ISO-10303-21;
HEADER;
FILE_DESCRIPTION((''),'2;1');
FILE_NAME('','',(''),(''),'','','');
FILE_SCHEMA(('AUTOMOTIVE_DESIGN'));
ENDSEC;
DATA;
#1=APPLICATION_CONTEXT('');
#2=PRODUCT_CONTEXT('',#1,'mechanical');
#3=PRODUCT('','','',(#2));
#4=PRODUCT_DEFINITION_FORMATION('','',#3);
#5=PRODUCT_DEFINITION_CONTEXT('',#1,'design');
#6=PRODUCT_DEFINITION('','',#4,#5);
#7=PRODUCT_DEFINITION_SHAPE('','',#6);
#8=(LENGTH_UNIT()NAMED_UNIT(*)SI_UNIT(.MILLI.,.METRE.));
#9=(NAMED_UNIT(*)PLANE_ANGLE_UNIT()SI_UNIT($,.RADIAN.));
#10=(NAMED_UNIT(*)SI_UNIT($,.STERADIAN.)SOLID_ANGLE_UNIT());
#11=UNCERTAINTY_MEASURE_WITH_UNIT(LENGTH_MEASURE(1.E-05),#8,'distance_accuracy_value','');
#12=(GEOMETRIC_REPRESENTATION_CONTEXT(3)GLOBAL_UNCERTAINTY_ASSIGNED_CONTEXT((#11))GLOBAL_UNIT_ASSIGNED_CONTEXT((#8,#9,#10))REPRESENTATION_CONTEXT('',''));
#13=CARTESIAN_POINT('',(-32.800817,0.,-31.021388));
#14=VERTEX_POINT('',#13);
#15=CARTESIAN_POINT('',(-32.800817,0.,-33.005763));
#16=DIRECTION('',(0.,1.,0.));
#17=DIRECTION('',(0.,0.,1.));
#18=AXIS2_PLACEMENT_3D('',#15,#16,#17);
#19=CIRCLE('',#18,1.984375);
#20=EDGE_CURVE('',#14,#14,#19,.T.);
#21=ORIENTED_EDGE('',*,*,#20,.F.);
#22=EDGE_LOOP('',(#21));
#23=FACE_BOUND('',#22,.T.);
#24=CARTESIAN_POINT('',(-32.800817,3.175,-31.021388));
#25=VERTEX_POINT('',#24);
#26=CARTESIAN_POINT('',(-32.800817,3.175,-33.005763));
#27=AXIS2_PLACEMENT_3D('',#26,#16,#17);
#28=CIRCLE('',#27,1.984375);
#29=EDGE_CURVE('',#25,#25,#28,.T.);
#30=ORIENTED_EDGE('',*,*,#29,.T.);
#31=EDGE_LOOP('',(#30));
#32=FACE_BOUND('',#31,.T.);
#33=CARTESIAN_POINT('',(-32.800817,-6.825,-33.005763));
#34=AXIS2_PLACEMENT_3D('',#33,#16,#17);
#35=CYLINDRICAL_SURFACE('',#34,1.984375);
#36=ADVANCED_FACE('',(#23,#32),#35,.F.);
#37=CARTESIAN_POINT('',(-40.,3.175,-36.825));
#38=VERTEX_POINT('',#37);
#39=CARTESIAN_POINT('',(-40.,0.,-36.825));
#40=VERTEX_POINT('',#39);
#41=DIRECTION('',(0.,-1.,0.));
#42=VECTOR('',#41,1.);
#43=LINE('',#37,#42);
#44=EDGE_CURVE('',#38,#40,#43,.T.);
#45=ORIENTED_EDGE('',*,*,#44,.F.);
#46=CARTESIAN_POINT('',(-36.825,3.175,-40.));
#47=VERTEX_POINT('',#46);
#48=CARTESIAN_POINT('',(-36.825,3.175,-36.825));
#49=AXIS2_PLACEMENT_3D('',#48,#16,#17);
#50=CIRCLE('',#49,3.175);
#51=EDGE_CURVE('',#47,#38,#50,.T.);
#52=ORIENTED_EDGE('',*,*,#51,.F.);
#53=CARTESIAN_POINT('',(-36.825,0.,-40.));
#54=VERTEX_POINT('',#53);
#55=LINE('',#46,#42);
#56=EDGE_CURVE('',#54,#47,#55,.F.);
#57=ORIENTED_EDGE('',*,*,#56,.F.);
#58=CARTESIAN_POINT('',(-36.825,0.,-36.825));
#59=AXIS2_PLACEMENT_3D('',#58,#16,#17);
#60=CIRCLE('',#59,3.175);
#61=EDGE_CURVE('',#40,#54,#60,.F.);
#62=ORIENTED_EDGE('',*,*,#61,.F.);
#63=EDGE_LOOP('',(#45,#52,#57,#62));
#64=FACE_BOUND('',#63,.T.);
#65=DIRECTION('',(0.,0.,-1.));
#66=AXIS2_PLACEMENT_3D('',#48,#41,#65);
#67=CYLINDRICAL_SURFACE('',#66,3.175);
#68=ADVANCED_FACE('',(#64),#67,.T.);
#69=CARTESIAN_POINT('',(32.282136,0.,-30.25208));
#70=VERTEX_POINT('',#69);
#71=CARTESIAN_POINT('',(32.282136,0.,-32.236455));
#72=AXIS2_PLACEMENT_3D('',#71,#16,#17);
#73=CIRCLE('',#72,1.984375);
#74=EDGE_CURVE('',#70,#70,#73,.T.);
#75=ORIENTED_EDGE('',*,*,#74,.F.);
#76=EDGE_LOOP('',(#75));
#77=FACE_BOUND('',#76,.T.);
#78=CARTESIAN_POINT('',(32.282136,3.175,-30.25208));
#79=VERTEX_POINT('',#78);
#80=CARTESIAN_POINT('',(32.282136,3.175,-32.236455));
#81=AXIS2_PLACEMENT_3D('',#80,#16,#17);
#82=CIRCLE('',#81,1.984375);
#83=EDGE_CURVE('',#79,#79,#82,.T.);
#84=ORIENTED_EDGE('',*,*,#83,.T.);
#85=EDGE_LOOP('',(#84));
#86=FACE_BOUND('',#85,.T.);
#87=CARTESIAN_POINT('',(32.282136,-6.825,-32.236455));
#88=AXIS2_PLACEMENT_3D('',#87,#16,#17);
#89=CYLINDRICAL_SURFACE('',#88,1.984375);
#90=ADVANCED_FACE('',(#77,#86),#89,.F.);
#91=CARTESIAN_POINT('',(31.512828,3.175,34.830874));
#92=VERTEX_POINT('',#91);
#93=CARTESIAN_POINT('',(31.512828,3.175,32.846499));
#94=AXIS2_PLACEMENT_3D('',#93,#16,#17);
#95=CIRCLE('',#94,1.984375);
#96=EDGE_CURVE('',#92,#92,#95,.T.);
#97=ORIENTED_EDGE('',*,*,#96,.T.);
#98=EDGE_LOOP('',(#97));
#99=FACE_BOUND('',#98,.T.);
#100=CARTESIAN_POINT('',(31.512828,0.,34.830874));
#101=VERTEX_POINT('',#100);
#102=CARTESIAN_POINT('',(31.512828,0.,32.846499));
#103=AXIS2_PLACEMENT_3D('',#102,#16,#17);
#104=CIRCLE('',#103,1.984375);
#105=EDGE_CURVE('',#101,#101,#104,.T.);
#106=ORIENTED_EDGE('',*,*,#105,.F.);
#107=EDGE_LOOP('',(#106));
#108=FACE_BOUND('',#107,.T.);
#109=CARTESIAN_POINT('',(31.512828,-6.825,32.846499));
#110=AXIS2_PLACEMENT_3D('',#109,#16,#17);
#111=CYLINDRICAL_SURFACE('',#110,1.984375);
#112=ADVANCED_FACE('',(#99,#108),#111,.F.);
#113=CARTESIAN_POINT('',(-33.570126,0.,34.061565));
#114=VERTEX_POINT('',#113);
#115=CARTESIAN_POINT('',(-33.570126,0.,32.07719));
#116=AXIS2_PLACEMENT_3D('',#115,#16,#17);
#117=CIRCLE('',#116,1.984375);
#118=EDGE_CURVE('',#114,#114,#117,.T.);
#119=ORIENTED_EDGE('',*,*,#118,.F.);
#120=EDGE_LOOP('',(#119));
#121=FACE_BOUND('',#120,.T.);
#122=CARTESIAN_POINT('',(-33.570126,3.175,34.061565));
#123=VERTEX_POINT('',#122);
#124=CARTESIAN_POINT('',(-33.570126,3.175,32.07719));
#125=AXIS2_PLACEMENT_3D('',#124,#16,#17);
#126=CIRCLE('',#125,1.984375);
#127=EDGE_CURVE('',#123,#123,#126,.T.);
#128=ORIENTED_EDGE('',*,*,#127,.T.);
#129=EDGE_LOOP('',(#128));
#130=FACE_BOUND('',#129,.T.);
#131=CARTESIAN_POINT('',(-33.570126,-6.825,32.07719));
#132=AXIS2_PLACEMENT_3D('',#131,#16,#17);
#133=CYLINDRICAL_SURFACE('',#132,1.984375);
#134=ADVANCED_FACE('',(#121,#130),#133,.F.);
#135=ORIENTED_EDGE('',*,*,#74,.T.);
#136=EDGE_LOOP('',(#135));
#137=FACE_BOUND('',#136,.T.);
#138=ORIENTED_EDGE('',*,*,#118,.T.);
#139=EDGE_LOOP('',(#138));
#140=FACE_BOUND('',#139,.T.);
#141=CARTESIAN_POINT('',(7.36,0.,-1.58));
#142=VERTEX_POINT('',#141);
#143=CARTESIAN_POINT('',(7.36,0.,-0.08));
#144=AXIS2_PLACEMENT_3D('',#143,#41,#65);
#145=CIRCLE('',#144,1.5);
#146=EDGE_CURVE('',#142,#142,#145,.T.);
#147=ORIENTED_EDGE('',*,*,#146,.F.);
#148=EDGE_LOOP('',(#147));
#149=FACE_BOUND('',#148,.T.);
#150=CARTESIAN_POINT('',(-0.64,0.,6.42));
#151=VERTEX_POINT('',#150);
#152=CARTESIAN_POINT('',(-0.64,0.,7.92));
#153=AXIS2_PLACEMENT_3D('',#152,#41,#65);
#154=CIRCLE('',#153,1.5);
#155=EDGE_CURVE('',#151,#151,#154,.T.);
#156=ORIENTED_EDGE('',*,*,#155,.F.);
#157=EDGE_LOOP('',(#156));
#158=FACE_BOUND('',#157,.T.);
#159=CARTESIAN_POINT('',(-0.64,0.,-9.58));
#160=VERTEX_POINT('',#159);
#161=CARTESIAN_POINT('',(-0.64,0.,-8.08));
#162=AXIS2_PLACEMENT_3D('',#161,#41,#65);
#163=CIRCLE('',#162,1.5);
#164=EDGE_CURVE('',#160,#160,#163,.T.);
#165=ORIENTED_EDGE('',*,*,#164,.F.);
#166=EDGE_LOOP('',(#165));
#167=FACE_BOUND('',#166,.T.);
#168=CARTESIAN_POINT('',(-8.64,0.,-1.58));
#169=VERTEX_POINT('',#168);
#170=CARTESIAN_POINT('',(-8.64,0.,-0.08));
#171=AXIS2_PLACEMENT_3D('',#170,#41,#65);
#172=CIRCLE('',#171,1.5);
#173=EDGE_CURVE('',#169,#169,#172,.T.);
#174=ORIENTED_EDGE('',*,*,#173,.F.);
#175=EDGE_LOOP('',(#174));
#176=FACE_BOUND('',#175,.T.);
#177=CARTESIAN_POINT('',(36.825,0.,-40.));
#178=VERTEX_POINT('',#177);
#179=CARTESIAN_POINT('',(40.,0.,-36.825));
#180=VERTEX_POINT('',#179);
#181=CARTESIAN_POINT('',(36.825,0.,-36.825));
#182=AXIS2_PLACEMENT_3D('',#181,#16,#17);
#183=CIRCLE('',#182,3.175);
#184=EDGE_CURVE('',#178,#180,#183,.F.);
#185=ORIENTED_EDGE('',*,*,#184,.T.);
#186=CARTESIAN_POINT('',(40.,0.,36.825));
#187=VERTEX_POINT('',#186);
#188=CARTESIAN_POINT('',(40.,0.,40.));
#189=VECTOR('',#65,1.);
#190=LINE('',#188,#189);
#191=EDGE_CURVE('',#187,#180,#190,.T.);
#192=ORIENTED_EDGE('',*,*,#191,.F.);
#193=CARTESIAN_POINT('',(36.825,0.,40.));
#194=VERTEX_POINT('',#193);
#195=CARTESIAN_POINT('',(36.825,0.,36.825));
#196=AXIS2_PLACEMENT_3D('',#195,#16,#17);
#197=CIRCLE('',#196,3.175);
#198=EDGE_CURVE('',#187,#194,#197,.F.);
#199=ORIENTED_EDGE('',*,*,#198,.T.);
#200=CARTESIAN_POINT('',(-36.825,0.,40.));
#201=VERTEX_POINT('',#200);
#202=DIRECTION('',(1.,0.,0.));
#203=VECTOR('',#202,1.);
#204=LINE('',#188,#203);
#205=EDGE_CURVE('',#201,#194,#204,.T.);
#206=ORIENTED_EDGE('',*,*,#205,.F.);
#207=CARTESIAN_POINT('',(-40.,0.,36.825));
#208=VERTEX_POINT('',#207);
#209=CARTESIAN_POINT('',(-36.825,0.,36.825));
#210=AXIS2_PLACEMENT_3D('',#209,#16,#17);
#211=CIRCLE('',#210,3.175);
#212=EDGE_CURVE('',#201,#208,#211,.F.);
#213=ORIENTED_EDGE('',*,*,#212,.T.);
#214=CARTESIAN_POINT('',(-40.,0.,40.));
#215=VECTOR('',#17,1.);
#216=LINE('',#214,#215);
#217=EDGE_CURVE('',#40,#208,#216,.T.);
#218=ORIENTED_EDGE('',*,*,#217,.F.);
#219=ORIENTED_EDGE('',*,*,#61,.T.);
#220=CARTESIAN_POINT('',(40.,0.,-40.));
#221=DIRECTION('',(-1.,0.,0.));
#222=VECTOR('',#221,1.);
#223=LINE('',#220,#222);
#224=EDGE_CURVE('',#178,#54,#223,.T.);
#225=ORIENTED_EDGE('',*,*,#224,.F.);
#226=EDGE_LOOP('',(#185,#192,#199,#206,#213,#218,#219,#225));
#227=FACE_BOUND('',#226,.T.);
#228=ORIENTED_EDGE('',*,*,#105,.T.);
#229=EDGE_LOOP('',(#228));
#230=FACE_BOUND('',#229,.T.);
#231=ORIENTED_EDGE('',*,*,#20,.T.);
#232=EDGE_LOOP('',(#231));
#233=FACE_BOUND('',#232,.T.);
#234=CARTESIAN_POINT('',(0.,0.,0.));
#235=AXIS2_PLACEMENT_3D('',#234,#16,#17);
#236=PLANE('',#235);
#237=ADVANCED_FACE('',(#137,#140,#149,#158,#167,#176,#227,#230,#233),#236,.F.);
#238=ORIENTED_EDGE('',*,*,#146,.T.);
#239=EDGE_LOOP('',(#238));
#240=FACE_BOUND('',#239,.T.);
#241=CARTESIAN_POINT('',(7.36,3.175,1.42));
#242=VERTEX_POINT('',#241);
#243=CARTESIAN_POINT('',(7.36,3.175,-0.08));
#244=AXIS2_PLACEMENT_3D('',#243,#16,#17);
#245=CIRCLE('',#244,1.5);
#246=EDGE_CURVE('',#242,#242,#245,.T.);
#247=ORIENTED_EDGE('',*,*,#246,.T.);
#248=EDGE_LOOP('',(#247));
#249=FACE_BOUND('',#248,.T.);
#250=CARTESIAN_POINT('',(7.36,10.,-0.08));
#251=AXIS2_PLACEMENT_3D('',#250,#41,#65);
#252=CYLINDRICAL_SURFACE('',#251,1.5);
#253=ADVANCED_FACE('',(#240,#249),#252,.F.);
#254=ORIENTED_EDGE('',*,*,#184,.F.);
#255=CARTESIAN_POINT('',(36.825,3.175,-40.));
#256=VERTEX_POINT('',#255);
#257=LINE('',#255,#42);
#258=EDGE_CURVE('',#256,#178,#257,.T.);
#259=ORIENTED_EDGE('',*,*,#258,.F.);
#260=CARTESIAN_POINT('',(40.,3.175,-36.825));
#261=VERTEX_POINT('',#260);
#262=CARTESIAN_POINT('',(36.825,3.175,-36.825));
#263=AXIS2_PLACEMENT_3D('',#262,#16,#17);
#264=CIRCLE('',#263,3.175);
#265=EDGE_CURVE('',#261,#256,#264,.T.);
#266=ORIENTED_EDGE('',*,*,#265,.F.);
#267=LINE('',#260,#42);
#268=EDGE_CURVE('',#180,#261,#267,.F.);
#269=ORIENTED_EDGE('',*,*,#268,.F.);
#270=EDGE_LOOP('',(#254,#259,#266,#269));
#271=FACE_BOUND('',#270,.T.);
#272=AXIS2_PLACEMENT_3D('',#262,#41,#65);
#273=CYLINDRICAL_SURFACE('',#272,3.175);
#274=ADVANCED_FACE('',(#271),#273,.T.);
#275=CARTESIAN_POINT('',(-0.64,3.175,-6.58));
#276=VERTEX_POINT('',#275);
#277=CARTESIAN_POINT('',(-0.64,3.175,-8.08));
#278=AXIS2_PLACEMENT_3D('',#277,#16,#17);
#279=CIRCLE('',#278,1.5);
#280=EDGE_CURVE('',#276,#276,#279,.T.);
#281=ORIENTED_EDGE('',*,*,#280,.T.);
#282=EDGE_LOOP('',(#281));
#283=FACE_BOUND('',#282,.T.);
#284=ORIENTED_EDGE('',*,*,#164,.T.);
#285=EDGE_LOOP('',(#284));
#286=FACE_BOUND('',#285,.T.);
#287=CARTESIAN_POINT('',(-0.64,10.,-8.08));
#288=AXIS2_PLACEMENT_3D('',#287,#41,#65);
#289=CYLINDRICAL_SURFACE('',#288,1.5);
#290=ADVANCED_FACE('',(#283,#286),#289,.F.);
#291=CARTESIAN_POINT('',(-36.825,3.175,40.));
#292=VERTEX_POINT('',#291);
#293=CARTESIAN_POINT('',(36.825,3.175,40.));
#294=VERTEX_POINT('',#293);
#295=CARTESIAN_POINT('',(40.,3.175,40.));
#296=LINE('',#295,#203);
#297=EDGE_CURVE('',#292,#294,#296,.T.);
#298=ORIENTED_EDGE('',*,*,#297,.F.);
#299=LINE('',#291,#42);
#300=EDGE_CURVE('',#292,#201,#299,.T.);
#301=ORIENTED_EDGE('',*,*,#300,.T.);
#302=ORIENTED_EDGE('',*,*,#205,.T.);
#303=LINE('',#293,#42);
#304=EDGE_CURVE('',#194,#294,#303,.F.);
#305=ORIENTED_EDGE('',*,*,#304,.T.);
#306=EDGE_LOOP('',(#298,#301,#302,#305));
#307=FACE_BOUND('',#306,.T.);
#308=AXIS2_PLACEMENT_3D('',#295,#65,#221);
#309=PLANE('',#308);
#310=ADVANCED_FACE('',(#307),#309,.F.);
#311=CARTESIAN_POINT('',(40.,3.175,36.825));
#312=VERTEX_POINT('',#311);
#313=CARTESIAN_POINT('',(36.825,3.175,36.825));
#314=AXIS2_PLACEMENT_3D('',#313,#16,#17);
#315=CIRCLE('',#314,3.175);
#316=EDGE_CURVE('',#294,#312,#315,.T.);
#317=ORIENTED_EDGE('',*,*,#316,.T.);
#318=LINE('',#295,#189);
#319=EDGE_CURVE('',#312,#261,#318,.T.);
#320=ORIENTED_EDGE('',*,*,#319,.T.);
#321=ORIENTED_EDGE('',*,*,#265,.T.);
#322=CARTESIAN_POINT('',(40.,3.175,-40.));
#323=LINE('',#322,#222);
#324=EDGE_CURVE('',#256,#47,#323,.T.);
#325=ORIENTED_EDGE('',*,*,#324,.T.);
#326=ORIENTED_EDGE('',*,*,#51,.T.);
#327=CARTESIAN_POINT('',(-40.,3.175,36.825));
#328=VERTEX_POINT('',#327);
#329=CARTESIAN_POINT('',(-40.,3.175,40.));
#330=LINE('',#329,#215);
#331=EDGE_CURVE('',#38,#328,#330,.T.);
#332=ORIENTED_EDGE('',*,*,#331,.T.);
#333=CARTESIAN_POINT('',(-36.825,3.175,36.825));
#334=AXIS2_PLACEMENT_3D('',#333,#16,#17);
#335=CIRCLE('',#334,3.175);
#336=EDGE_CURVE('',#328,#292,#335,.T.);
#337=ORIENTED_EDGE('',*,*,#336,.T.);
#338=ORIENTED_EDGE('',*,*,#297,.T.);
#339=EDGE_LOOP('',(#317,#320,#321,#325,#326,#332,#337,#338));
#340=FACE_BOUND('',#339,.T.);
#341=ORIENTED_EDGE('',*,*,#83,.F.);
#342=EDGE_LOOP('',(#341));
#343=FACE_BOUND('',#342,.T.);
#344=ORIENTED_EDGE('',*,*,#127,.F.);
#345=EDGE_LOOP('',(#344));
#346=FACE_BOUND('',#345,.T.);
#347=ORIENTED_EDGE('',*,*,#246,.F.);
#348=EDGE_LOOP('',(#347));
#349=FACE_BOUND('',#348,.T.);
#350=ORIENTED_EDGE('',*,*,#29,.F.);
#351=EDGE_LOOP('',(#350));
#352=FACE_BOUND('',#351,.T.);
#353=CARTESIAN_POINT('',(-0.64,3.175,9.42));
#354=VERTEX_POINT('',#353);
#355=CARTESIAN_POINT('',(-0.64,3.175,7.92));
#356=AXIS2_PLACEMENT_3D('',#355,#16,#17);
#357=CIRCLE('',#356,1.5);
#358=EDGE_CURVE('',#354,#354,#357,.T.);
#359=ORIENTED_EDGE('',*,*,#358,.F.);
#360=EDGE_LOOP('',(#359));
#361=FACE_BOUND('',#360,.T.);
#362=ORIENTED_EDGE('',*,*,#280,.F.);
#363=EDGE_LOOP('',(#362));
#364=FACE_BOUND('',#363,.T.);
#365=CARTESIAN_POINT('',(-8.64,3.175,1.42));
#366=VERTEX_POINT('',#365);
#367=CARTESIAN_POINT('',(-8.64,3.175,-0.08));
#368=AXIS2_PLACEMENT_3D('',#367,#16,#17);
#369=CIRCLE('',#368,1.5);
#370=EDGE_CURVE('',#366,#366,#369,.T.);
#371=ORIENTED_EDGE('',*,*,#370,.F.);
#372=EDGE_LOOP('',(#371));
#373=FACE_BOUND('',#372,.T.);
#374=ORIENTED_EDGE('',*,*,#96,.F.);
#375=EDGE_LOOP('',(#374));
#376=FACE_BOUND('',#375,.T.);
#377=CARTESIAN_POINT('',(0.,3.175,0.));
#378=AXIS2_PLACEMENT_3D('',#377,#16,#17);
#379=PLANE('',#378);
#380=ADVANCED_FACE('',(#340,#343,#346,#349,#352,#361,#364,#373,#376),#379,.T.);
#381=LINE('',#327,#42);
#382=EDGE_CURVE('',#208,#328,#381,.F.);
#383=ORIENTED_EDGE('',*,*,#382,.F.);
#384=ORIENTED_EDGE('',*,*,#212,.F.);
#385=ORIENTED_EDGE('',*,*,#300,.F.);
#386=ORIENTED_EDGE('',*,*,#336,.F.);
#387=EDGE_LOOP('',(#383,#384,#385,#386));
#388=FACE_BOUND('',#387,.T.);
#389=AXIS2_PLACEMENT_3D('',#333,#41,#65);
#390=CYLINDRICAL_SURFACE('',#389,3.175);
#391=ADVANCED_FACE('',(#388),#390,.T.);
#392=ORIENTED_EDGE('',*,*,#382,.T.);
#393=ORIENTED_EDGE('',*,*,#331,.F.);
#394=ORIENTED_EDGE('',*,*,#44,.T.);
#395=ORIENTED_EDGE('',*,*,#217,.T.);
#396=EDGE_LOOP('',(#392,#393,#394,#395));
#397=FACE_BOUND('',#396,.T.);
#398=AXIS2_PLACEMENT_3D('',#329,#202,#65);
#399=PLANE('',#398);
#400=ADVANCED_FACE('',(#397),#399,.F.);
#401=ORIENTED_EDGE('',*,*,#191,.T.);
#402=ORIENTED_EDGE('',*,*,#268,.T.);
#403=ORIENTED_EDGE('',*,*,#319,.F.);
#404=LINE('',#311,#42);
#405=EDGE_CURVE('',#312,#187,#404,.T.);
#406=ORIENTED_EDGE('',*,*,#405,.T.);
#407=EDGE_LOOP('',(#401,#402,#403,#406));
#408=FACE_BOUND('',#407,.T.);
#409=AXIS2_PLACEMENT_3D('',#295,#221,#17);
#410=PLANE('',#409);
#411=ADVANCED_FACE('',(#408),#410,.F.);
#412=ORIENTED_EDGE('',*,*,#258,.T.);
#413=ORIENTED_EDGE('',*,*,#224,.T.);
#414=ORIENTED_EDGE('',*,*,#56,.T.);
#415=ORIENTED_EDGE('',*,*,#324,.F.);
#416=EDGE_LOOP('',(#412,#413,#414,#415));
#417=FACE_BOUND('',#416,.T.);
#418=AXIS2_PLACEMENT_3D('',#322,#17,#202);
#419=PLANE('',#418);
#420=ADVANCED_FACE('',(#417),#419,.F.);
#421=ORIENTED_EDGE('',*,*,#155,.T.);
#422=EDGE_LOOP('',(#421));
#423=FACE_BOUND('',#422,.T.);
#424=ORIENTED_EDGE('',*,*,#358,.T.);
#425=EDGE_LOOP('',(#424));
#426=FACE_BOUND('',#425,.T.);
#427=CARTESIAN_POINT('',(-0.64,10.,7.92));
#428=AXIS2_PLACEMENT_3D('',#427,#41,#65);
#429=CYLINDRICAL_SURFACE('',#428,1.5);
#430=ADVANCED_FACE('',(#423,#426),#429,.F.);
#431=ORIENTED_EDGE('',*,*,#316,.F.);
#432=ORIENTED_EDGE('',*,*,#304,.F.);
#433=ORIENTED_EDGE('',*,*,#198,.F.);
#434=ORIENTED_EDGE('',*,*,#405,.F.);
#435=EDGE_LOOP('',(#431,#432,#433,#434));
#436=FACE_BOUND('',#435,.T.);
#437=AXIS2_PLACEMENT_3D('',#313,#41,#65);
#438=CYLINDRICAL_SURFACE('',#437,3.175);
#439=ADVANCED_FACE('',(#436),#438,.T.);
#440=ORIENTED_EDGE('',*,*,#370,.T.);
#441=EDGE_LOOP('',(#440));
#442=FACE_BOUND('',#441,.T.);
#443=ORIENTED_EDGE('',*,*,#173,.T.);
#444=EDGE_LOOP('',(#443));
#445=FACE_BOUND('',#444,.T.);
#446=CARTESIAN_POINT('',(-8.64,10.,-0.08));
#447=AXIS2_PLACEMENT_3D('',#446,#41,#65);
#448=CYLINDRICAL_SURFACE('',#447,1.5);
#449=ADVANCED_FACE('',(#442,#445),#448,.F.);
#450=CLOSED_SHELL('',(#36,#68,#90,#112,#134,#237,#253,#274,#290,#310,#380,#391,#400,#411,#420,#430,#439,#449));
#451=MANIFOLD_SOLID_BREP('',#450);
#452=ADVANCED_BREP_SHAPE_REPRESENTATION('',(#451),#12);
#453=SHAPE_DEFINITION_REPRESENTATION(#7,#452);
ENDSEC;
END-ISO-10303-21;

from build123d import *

# Parameters (mm, degrees)
SKETCH1_W           = 80
SKETCH1_H           = 80
BOSS_EXTRUDE1_DEPTH = 3.175
SKETCH16_R          = 1.984375
CUT_EXTRUDE8_DEPTH  = 10
FILLET1_R           = 3.175
SKETCH21_R          = 1.5
CUT_EXTRUDE9_DEPTH  = 10


with BuildPart() as part:
    # Sketch1 → Boss-Extrude1 (new body)
    with BuildSketch(Plane(origin=(0, 0, 0), x_dir=(1, 0, 0), z_dir=(0, 1, 0))):
        Rectangle(SKETCH1_W, SKETCH1_H)
    extrude(amount=BOSS_EXTRUDE1_DEPTH)

    # Sketch16 → Cut-Extrude8 (cut)
    with BuildSketch(Plane(origin=(0, 3.175, 0), x_dir=(1, 0, 0), z_dir=(0, 1, 0))):
        with Locations(Location((-32.800817373, 33.005763026, 0), (0, 0, 270))):
            Circle(SKETCH16_R)
        with Locations(Location((32.282136008, 32.236454615, 0), (0, 0, 270))):
            Circle(SKETCH16_R)
        with Locations(Location((31.512827597, -32.846498766, 0), (0, 0, 270))):
            Circle(SKETCH16_R)
        with Locations(Location((-33.570125785, -32.077190355, 0), (0, 0, 270))):
            Circle(SKETCH16_R)
    extrude(amount=-CUT_EXTRUDE8_DEPTH, mode=Mode.SUBTRACT)

    # Fillet1
    fillet1_edges = [part.edges().sort_by_distance(p)[0] for p in [
        (-40, 1.5875, -40),
        (40, 1.5875, -40),
        (40, 1.5875, 40),
        (-40, 1.5875, 40),
    ]]
    fillet(fillet1_edges, radius=FILLET1_R)

    # Sketch21 → Cut-Extrude9 (cut)
    with BuildSketch(Plane.XZ):
        with Locations(Location((-0.64, 7.92, 0), (0, 0, 270))):
            Circle(SKETCH21_R)
        with Locations(Location((7.36, -0.08, 0), (0, 0, 270))):
            Circle(SKETCH21_R)
        with Locations(Location((-0.64, -8.08, 0), (0, 0, 270))):
            Circle(SKETCH21_R)
        with Locations(Location((-8.64, -0.08, 0), (0, 0, 270))):
            Circle(SKETCH21_R)
    extrude(amount=-CUT_EXTRUDE9_DEPTH, mode=Mode.SUBTRACT)


solid = part.part
